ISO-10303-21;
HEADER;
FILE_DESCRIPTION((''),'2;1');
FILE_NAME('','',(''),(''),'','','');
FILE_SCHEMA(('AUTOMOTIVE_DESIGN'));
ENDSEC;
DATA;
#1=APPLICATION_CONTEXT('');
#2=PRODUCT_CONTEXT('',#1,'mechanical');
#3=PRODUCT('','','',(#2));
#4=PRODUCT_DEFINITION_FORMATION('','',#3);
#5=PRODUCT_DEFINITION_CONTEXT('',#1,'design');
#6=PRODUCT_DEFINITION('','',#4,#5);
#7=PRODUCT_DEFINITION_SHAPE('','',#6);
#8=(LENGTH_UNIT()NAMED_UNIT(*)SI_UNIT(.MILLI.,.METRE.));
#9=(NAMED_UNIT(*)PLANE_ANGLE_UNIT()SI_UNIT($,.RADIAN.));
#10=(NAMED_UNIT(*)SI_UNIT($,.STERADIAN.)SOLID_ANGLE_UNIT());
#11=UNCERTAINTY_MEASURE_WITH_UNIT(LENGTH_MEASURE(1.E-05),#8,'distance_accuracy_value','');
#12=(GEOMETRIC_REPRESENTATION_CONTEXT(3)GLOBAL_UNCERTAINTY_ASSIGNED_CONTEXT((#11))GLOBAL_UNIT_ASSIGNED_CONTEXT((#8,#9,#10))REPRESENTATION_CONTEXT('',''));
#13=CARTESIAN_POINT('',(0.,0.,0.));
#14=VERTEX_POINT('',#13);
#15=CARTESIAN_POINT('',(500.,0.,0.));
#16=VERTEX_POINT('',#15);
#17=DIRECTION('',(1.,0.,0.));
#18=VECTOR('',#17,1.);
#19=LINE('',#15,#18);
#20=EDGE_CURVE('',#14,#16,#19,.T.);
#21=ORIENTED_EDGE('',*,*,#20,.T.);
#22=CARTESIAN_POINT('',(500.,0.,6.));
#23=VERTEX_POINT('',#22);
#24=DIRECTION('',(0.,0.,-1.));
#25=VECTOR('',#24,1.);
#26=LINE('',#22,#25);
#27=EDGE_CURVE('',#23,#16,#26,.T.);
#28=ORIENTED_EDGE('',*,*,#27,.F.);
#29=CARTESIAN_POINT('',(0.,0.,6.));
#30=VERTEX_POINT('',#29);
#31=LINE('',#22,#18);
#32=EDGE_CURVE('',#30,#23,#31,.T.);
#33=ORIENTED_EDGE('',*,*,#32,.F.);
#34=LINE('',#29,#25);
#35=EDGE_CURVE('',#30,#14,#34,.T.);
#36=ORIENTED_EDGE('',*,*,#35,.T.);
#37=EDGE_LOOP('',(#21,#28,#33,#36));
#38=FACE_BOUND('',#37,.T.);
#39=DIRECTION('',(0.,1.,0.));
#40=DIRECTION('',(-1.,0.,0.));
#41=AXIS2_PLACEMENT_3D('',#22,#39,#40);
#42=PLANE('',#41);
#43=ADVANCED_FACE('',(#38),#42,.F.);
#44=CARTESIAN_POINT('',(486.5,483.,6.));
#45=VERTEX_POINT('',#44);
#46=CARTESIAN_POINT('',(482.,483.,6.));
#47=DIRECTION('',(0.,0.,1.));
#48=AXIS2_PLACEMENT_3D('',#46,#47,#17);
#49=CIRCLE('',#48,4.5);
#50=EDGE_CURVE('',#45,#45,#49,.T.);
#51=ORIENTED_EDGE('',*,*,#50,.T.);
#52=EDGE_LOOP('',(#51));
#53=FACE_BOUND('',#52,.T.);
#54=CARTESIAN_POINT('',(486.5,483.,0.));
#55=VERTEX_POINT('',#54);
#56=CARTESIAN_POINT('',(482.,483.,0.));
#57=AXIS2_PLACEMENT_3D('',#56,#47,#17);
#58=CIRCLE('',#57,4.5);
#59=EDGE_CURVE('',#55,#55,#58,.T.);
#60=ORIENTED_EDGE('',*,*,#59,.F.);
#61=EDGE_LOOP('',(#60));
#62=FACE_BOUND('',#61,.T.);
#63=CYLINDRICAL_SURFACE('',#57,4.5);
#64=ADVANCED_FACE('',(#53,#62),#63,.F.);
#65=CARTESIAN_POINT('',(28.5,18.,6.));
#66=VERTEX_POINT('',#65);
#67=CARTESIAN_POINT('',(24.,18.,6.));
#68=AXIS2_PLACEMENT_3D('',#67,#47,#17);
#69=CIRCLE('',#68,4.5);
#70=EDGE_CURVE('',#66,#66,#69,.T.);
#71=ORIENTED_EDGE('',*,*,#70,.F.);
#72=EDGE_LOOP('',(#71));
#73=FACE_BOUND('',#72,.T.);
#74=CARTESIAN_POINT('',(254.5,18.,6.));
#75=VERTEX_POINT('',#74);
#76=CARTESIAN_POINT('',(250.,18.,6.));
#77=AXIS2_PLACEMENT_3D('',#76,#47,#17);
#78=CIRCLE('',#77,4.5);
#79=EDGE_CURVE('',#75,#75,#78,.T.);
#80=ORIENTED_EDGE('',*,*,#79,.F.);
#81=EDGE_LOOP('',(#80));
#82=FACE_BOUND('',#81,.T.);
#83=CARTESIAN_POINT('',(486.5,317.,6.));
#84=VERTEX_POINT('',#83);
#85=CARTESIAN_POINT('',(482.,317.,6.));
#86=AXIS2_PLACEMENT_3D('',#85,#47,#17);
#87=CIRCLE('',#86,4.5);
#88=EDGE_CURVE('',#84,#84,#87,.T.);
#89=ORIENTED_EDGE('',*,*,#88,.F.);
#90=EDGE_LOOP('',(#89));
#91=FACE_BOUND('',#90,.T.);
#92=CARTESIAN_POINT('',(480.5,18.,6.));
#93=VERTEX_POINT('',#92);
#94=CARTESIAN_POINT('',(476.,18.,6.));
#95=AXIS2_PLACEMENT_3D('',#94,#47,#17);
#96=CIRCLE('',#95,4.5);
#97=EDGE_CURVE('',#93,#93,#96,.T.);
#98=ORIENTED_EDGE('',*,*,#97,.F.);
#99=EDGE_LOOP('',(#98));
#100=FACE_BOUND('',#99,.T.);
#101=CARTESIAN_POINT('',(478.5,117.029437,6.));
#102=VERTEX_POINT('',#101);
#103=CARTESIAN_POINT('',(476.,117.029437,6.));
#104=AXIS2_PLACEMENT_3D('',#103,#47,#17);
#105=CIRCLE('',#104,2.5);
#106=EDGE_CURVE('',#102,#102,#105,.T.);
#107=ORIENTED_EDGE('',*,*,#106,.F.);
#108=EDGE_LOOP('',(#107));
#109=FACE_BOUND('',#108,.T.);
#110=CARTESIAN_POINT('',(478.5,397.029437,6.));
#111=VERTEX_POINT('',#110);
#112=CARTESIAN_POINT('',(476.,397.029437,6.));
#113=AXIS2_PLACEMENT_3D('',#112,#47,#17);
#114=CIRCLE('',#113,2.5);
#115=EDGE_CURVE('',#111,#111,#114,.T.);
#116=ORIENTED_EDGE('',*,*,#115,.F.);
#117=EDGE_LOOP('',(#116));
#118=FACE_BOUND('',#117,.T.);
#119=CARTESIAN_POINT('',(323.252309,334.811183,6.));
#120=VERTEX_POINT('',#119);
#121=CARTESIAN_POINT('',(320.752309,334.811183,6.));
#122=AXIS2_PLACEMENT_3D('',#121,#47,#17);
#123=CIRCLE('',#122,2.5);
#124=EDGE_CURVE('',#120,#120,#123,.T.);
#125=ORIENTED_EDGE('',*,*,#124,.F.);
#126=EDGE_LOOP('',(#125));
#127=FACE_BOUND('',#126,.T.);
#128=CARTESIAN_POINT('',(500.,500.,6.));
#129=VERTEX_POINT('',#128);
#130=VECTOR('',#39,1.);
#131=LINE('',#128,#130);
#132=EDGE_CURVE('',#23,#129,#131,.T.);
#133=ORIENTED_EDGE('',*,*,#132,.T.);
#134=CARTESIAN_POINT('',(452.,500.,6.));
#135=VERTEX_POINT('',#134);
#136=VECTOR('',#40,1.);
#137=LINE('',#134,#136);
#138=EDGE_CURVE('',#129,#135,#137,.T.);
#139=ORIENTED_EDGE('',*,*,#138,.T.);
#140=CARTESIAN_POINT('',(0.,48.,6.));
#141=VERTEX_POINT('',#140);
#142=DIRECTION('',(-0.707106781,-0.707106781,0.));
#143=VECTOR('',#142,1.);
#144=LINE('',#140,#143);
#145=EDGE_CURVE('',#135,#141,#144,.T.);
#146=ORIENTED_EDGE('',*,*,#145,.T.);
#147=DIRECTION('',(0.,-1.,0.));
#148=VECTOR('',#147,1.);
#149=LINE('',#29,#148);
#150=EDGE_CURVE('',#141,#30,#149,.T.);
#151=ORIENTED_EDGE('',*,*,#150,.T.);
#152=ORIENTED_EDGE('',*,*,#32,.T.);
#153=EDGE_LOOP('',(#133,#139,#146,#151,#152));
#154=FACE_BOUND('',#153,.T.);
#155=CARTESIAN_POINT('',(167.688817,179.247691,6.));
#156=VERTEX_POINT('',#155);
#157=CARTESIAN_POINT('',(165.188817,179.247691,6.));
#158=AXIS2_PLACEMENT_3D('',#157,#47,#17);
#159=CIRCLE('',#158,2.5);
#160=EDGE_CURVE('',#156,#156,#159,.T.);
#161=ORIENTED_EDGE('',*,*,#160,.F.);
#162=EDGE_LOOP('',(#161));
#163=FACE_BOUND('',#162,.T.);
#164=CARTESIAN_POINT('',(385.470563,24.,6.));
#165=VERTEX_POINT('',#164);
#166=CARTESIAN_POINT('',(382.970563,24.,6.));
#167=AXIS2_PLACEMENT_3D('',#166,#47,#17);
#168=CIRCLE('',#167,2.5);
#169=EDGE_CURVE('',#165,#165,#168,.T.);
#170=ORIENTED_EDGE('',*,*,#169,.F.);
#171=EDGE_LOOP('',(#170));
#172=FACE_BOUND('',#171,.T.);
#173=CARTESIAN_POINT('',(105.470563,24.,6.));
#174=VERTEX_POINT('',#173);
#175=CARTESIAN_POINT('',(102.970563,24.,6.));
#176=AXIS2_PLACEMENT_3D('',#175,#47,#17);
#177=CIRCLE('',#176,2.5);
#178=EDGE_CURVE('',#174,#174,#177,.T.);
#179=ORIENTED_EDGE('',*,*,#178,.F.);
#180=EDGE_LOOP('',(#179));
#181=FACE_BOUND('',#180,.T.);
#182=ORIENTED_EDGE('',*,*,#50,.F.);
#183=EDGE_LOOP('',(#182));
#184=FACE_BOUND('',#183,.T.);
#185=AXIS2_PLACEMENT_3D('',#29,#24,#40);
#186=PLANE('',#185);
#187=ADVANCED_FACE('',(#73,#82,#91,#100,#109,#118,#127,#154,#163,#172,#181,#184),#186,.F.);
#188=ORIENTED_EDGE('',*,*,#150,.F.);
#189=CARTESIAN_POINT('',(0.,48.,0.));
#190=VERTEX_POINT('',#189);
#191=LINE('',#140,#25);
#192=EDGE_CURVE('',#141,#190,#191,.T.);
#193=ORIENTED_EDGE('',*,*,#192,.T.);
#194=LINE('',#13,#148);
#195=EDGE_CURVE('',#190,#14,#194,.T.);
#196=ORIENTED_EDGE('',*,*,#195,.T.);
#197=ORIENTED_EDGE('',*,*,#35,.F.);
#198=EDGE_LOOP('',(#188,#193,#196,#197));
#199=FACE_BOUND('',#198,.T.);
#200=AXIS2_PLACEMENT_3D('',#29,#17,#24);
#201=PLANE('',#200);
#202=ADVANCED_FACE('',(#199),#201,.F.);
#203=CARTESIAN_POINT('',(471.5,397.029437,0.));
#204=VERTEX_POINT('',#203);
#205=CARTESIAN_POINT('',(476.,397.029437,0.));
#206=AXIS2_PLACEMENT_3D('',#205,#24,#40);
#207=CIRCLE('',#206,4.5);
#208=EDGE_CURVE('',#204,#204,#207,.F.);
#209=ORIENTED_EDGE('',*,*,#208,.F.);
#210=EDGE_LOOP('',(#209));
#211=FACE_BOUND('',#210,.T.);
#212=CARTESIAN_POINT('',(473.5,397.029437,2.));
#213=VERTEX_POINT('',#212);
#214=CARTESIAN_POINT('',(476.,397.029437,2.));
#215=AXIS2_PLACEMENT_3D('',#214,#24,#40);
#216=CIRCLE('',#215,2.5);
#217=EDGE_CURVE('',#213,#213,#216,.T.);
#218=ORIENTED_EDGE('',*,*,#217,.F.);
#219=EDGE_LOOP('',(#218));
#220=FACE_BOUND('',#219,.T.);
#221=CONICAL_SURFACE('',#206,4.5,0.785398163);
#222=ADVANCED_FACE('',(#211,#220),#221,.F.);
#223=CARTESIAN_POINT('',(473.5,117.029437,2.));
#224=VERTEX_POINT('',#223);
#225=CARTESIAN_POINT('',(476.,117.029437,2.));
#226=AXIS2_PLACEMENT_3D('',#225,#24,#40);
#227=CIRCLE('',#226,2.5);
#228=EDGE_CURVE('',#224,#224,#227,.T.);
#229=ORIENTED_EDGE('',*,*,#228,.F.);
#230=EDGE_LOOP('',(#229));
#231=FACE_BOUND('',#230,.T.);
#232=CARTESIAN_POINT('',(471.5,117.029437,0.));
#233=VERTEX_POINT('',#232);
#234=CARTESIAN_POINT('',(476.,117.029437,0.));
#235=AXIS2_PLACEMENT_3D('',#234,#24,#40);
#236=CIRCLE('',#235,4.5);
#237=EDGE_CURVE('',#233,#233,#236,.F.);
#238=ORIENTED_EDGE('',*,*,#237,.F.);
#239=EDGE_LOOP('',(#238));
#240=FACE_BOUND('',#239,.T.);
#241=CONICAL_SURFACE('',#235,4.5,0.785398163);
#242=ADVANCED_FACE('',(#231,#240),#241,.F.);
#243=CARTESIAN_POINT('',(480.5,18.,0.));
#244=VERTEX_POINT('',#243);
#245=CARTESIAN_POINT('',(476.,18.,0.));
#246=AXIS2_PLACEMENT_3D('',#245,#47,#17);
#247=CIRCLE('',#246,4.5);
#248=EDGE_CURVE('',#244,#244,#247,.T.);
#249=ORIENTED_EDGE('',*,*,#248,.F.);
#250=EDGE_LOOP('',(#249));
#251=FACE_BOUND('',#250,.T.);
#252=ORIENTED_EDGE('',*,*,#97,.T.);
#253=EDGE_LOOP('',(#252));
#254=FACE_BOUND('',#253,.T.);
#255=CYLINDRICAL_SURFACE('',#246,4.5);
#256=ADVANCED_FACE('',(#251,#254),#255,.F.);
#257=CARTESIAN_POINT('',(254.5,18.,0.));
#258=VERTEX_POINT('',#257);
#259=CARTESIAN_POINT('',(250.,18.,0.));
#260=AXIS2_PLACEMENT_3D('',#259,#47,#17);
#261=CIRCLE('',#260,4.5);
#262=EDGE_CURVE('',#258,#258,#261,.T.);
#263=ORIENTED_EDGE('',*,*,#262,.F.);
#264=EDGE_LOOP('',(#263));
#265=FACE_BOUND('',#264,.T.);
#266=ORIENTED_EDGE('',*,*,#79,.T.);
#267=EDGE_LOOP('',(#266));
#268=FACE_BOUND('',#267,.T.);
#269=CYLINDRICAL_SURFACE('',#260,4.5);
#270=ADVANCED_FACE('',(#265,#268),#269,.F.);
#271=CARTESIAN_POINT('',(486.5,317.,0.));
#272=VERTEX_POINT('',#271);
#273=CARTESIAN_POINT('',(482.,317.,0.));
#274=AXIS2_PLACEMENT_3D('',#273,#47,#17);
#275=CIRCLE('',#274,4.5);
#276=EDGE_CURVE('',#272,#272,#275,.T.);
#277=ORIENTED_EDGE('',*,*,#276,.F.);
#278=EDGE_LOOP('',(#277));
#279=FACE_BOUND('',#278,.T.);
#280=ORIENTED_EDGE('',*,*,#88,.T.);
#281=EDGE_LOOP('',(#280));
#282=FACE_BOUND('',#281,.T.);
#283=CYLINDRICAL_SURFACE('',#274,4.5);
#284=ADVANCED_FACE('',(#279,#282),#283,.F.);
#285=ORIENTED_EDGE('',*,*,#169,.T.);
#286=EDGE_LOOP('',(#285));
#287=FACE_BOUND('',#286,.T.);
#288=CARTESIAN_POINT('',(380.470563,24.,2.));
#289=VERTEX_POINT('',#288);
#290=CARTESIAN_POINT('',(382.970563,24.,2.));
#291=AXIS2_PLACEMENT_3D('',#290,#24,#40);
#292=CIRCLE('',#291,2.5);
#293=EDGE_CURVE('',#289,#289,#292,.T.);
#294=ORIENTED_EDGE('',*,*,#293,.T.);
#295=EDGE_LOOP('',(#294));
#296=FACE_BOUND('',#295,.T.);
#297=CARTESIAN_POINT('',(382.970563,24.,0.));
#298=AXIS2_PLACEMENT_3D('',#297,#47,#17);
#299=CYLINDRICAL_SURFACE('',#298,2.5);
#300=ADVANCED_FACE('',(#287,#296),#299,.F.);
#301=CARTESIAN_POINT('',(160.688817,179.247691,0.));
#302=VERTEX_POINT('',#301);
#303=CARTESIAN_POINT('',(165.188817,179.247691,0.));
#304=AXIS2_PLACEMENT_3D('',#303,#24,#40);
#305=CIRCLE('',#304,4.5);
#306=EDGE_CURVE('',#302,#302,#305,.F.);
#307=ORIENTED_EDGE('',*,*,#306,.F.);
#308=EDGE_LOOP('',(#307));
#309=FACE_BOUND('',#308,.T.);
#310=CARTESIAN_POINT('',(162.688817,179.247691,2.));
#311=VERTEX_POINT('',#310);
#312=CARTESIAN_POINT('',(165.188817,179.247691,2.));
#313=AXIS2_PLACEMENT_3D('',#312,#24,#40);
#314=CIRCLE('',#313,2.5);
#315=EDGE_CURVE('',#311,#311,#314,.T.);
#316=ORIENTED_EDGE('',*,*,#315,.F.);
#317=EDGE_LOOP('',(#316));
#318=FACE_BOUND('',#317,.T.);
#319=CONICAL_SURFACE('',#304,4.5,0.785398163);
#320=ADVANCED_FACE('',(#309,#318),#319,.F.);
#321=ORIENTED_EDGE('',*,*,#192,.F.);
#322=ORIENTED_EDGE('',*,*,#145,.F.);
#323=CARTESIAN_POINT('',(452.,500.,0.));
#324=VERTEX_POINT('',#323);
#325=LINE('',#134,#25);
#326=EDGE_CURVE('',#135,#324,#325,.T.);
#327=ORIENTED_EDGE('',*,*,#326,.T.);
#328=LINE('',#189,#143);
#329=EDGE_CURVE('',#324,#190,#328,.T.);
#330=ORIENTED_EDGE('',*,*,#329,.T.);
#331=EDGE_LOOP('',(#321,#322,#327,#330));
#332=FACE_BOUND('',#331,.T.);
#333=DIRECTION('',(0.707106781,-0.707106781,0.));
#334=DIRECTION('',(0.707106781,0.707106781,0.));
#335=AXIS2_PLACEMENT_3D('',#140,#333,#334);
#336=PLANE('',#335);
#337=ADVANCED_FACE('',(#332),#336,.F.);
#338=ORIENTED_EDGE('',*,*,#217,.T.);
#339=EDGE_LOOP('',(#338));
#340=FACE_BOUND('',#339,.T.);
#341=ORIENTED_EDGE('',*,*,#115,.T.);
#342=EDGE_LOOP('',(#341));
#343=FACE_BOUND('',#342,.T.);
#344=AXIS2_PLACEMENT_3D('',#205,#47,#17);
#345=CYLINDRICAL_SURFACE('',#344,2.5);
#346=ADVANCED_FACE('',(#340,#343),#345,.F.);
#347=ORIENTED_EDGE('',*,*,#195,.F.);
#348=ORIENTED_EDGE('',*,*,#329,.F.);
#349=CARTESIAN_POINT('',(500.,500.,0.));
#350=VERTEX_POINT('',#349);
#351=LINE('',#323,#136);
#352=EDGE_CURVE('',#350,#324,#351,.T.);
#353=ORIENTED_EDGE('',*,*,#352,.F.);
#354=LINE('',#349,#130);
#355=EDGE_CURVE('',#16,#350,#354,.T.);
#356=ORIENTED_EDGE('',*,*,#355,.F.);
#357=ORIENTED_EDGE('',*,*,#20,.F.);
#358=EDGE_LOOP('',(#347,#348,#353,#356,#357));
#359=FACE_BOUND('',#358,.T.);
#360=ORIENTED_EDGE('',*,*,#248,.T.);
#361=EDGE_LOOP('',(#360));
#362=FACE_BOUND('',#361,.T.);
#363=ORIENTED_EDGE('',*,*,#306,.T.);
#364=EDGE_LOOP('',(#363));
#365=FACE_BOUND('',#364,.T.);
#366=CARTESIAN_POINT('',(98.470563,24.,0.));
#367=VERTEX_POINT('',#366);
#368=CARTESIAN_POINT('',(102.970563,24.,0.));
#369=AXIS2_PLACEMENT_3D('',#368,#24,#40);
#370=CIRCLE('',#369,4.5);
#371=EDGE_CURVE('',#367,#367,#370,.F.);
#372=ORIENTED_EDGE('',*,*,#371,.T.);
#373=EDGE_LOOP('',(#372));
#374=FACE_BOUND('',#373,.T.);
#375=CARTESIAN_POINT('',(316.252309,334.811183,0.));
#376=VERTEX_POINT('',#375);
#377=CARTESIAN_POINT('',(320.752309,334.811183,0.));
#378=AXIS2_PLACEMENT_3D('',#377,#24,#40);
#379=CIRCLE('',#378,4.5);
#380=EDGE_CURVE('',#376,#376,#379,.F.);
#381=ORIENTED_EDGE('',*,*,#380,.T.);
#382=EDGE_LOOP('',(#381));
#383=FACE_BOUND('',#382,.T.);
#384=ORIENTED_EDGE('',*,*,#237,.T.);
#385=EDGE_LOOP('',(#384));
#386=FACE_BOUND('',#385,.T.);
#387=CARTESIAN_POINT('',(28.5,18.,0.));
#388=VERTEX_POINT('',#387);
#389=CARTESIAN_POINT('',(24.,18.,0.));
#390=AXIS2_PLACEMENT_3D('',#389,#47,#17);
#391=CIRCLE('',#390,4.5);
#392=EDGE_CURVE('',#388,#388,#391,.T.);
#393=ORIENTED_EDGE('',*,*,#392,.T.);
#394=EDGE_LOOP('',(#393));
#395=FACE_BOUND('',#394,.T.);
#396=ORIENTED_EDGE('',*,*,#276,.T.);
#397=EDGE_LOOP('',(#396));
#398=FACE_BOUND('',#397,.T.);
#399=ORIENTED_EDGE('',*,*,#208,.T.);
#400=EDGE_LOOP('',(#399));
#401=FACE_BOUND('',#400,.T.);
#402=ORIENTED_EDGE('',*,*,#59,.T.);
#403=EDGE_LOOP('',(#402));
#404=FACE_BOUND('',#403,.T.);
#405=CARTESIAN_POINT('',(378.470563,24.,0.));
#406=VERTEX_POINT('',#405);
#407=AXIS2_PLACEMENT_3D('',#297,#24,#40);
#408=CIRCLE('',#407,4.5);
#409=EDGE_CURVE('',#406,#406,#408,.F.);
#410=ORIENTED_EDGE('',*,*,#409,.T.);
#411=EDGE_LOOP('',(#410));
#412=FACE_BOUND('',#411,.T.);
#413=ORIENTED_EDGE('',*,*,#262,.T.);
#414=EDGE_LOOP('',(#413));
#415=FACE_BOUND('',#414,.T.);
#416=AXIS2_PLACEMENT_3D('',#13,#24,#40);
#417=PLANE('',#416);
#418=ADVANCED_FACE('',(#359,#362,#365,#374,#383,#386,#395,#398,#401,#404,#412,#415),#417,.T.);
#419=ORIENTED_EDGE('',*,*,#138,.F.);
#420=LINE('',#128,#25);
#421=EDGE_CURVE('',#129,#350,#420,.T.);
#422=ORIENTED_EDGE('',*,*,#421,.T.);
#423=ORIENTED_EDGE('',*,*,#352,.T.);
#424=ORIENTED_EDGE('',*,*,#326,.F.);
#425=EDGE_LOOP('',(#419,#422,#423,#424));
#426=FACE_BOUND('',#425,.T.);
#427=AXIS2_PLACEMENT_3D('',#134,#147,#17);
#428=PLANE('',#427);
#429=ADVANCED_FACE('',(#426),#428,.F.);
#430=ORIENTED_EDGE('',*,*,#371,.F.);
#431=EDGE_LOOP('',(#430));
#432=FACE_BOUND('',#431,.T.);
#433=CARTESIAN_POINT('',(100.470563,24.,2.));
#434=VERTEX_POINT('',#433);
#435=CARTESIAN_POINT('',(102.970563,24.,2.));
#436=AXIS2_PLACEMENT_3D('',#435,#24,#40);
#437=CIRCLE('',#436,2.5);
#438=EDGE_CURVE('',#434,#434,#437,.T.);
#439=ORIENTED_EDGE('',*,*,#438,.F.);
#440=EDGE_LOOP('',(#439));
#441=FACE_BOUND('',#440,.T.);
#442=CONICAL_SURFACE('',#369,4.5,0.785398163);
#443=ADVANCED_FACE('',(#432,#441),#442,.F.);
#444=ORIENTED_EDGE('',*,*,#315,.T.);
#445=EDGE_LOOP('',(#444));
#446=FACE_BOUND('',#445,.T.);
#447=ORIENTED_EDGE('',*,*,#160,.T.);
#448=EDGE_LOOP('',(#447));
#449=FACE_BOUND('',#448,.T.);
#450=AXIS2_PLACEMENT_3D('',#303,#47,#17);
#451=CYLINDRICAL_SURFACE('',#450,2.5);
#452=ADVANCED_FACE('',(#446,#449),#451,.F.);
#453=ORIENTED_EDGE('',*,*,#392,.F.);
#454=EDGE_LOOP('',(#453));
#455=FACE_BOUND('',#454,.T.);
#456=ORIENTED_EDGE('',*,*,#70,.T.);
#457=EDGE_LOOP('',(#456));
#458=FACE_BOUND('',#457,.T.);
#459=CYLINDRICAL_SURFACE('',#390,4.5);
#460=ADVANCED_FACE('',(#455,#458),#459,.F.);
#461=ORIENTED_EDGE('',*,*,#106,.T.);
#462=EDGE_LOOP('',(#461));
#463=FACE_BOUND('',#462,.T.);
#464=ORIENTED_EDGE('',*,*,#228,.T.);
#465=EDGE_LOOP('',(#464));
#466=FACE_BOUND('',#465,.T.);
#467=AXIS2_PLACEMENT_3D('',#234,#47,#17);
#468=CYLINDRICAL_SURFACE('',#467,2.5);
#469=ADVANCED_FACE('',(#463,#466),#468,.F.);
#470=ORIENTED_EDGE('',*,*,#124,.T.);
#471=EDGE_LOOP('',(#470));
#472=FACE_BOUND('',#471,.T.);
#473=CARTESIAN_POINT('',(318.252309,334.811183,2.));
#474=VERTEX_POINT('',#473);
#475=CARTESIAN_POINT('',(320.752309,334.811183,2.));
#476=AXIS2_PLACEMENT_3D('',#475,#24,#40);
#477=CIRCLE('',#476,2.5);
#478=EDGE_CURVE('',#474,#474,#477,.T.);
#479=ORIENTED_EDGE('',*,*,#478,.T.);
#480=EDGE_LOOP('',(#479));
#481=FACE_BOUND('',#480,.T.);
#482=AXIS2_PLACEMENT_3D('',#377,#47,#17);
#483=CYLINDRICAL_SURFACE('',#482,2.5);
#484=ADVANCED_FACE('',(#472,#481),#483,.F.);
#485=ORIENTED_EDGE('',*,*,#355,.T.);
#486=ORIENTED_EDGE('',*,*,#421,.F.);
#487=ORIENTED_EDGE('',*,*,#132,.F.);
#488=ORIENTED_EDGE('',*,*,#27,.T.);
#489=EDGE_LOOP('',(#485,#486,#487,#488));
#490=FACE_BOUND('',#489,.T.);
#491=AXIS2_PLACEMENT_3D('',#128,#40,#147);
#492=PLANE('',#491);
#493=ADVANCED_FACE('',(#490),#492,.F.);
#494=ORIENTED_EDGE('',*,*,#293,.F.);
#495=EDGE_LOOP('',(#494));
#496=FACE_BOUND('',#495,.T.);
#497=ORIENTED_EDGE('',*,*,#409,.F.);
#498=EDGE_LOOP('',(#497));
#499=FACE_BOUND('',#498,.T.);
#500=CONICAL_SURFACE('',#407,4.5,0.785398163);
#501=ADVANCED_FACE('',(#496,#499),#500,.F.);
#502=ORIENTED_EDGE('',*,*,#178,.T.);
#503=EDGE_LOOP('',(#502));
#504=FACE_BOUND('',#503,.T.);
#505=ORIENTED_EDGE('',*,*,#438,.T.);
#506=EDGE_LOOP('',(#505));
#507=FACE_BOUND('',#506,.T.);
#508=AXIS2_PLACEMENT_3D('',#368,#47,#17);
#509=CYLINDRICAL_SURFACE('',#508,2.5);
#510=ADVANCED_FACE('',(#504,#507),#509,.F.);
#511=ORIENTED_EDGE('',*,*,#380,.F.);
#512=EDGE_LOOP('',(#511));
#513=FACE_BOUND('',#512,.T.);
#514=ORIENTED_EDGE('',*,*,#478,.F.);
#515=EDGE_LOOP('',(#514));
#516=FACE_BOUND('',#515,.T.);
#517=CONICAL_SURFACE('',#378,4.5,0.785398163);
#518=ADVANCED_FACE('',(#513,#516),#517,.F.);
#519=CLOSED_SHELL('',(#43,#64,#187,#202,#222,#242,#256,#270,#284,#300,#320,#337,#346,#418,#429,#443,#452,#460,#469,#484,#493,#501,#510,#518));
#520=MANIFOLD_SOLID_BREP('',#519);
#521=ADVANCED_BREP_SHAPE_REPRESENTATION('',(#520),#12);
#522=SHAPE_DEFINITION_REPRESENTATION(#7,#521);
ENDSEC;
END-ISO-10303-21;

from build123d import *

# Parameters (mm, degrees)
BOSS_EXTRU_1_DEPTH      = 6
ESQUISSE2_R             = 4.5
ENL_V_MAT_EXTRU_1_DEPTH = 708.132236572
ESQUISSE5_R             = 2.5
ENL_V_MAT_EXTRU_3_DEPTH = 708.132236572
CHANFREIN2_SIZE         = 2


with BuildPart() as part:
    # Esquisse1 → Boss.-Extru.1 (new body)
    with BuildSketch(Plane.XY):
        Polygon((0, 0), (0, 48), (452, 500), (500, 500), (500, 0), align=None)
    extrude(amount=BOSS_EXTRU_1_DEPTH)

    # Esquisse2 → Enlèv. mat.-Extru.1 (cut, through all)
    with BuildSketch(Plane.XY.offset(6)):
        with Locations((24, 18)):
            Circle(ESQUISSE2_R)
        with Locations((250, 18)):
            Circle(ESQUISSE2_R)
        with Locations((476, 18)):
            Circle(ESQUISSE2_R)
        with Locations((482, 483)):
            Circle(ESQUISSE2_R)
        with Locations((482, 317)):
            Circle(ESQUISSE2_R)
    extrude(amount=-ENL_V_MAT_EXTRU_1_DEPTH, mode=Mode.SUBTRACT)

    # Esquisse5 → Enlèv. mat.-Extru.3 (cut, through all)
    with BuildSketch(Plane.XY.offset(6)):
        with Locations((165.188816818, 179.247691321)):
            Circle(ESQUISSE5_R)
        with Locations((320.752308679, 334.811183182)):
            Circle(ESQUISSE5_R)
        with Locations((102.970562748, 24)):
            Circle(ESQUISSE5_R)
        with Locations((382.970562748, 24)):
            Circle(ESQUISSE5_R)
        with Locations((476, 397.029437252)):
            Circle(ESQUISSE5_R)
        with Locations((476, 117.029437252)):
            Circle(ESQUISSE5_R)
    extrude(amount=-ENL_V_MAT_EXTRU_3_DEPTH, mode=Mode.SUBTRACT)

    # Chanfrein2
    chanfrein2_edges = [part.edges().sort_by_distance(p)[0] for p in [
        (318.252308679, 334.811183182, 0),
        (100.470562748, 24, 0),
        (380.470562748, 24, 0),
        (473.5, 397.029437252, 0),
        (473.5, 117.029437252, 0),
        (162.688816818, 179.247691321, 0),
    ]]
    chamfer(chanfrein2_edges, length=CHANFREIN2_SIZE)


solid = part.part
